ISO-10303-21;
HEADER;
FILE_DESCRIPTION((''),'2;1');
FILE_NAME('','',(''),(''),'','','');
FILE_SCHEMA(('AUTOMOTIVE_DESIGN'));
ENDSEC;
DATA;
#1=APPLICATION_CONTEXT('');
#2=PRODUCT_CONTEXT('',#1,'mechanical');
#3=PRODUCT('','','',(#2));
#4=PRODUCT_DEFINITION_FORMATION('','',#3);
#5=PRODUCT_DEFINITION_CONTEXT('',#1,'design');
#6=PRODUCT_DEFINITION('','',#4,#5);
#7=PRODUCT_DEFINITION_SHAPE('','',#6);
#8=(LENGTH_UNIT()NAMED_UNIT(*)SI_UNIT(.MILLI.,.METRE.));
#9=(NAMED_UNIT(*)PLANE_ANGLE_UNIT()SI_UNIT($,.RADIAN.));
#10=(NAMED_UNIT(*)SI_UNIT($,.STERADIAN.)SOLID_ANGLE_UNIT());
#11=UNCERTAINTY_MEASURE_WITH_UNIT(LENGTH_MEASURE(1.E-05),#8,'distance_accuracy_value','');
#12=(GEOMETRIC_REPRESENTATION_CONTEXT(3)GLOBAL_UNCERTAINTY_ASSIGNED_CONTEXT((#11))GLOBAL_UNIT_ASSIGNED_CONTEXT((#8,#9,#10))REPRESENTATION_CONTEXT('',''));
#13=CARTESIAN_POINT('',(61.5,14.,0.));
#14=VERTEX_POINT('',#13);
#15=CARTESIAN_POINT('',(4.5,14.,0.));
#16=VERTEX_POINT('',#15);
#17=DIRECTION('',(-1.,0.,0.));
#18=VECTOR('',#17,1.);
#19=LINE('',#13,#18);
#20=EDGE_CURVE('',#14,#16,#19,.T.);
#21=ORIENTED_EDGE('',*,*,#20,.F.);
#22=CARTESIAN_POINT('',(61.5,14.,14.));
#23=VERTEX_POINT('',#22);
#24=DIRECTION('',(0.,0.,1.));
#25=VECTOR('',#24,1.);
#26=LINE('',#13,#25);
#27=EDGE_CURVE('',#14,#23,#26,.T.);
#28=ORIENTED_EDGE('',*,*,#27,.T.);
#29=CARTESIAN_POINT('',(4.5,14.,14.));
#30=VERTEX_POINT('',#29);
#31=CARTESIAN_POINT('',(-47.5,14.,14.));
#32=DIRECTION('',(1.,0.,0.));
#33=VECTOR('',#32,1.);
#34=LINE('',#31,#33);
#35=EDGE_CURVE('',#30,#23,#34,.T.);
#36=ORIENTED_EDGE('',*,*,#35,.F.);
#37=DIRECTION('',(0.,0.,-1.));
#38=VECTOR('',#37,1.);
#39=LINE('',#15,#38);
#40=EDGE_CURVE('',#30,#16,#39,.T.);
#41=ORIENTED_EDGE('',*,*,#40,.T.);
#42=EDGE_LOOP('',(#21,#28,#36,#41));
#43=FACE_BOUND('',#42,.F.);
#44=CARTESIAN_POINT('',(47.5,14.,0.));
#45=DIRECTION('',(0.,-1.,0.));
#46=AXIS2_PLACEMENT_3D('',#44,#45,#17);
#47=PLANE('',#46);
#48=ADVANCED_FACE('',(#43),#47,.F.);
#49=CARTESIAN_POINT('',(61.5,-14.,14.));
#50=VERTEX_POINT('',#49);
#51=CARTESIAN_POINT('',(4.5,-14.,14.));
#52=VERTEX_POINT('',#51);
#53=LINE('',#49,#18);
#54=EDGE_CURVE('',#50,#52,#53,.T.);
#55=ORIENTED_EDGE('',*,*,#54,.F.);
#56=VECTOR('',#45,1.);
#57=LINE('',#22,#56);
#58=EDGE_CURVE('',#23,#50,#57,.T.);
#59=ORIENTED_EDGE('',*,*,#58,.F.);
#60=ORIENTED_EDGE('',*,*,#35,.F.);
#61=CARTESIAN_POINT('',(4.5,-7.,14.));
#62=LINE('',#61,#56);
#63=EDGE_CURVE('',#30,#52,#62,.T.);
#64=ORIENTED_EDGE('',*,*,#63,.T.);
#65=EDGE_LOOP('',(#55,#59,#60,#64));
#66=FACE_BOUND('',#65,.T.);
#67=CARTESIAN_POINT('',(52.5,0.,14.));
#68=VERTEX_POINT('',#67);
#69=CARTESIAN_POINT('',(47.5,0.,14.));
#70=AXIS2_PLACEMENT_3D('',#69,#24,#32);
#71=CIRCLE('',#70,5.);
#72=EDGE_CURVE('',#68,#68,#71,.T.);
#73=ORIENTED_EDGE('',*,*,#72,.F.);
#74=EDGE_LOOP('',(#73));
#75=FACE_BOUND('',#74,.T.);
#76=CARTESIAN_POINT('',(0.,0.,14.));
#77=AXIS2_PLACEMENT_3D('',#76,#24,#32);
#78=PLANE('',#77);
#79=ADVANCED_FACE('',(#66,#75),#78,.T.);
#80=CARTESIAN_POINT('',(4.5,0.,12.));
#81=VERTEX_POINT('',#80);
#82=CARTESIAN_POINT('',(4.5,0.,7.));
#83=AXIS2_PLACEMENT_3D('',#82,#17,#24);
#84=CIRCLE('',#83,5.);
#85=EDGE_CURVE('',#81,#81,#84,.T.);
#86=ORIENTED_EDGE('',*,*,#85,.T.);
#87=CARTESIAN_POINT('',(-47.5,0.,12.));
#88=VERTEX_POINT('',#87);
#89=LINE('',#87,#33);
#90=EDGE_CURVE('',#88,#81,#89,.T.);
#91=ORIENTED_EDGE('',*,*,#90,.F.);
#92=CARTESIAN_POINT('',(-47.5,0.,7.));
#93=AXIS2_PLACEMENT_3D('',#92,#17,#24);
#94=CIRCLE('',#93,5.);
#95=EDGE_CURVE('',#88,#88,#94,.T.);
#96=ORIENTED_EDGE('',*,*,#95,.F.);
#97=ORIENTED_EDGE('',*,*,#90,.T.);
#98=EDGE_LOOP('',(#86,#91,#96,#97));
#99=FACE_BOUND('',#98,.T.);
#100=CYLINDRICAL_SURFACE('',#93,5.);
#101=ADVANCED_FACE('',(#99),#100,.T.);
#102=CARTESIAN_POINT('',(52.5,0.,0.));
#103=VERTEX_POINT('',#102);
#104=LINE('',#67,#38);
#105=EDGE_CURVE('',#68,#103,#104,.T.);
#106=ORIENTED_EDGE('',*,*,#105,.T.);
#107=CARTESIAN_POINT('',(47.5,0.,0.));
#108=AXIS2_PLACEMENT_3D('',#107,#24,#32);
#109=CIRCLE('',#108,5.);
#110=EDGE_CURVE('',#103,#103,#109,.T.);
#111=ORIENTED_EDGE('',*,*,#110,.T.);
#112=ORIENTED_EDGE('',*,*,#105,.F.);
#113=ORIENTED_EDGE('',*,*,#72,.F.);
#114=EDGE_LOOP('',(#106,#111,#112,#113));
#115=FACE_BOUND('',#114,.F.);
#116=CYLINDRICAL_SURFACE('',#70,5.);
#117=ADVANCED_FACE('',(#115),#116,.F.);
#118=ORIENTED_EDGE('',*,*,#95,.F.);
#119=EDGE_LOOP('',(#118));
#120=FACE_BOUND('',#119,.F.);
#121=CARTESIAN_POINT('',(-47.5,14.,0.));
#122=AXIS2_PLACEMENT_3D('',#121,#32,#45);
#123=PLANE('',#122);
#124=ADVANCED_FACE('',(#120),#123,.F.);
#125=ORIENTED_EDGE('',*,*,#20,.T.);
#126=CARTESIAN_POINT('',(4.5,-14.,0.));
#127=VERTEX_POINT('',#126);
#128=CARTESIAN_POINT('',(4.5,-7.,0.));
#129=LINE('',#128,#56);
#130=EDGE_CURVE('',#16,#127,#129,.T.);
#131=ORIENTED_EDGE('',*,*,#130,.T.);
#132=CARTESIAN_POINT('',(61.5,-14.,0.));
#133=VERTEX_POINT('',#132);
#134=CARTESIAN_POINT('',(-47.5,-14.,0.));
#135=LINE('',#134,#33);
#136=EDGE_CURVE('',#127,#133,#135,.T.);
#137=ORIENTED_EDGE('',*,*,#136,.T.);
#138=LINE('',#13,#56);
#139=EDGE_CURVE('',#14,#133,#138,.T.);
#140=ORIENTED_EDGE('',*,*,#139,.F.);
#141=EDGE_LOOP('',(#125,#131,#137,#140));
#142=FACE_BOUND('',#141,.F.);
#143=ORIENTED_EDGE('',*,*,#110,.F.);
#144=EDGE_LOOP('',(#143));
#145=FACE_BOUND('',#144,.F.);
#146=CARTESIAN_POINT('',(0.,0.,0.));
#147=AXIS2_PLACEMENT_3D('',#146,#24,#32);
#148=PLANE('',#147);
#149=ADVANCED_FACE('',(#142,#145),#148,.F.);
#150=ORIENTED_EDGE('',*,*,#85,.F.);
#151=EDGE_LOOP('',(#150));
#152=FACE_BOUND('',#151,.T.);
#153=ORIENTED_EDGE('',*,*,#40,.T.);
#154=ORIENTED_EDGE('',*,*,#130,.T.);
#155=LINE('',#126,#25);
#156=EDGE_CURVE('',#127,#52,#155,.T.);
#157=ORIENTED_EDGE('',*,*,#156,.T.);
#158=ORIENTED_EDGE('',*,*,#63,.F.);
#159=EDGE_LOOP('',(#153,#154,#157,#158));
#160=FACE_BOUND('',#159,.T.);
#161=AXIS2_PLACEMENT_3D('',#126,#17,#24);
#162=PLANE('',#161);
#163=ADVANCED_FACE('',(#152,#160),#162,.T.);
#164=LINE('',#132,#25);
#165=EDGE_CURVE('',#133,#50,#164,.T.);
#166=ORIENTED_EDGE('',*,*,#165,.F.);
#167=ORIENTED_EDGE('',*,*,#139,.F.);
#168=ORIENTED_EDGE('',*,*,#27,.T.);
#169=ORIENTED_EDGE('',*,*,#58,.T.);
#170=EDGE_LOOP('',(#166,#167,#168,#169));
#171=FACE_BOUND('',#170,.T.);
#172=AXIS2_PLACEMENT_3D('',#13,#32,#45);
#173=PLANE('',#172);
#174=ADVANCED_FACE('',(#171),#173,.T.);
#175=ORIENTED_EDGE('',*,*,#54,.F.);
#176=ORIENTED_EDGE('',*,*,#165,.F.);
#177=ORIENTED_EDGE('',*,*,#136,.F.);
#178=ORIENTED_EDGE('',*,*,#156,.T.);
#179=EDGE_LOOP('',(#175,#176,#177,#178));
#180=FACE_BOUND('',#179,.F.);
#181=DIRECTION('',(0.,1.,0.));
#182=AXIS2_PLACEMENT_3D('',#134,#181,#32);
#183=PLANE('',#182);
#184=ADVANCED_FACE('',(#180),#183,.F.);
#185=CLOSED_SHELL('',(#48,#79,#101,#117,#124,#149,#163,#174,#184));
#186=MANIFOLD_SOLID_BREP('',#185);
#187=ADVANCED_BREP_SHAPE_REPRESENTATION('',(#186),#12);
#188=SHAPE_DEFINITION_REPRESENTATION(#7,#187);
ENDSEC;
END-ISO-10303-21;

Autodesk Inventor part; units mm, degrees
ref_plane "YZ Plane" through (0, 0, 0) normal (1, 0, 0) x (0, 1, 0)
ref_plane "XZ Plane" through (0, 0, 0) normal (0, 1, 0) x (-1, 0, 0)
ref_plane "XY Plane" through (0, 0, 0) normal (0, 0, 1) x (1, 0, 0)
sketch "Sketch1" plane through (0, 0, 0) normal (0, 0, 1) x (1, 0, 0)
  line L0 (-47.5, -14) -> (47.5, -14)
  line L1 (47.5, -14) -> (47.5, 14)
  line L2 (47.5, 14) -> (-47.5, 14)
  line L3 (-47.5, 14) -> (-47.5, -14)
  line L4 (-47.5, -14) -> (47.5, 14) construction
  line L5 (47.5, -14) -> (-47.5, 14) construction
  line L6 (47.5, 14) -> (61.5, 14)
  line L7 (61.5, 14) -> (61.5, -14)
  line L8 (61.5, -14) -> (47.5, -14)
  line L9 (47.5, -14) -> (47.5, 14)
  point P0 (0, 0)
  dimension "d0" = 95
  dimension "d1" = 28
  dimension "d2" = 14
  dimension "d3" = 28
extrude "Extrusion1" add sketch "Sketch1" along normal blind 14
sketch "Sketch2" plane through (0, 0, 14) normal (0, 0, 1) x (1, 0, 0)
  circle A0 centre (47.5, 0) radius 5
  line L0 (61.5, -14) -> (61.5, 14) projected
  line L1 (-47.5, -14) -> (61.5, -14) projected
  point P0 (0, 0)
  dimension "d6" = 10
  dimension "d7" = 14
  dimension "d8" = 14
extrude "Extrusion2" cut sketch "Sketch2" against normal blind 14
sketch "Sketch3" plane through (-47.5, -14, 0) normal (-1, 0, 0) x (0, 0, 1)
  circle A0 centre (7, 14) radius 5
  line L0 (0, 28) -> (14, 28) projected
  line L1 (14, 28) -> (14, 0) projected
  circle A1 centre (7, 14) radius 25
  point P0 (0, 14)
  dimension "d11" = 10
  dimension "d12" = 14
  dimension "d13" = 7
  dimension "d14" = 50
extrude "Extrusion3" cut sketch "Sketch3" against normal blind 52
properties part number "MSAL Pushing Thing"
